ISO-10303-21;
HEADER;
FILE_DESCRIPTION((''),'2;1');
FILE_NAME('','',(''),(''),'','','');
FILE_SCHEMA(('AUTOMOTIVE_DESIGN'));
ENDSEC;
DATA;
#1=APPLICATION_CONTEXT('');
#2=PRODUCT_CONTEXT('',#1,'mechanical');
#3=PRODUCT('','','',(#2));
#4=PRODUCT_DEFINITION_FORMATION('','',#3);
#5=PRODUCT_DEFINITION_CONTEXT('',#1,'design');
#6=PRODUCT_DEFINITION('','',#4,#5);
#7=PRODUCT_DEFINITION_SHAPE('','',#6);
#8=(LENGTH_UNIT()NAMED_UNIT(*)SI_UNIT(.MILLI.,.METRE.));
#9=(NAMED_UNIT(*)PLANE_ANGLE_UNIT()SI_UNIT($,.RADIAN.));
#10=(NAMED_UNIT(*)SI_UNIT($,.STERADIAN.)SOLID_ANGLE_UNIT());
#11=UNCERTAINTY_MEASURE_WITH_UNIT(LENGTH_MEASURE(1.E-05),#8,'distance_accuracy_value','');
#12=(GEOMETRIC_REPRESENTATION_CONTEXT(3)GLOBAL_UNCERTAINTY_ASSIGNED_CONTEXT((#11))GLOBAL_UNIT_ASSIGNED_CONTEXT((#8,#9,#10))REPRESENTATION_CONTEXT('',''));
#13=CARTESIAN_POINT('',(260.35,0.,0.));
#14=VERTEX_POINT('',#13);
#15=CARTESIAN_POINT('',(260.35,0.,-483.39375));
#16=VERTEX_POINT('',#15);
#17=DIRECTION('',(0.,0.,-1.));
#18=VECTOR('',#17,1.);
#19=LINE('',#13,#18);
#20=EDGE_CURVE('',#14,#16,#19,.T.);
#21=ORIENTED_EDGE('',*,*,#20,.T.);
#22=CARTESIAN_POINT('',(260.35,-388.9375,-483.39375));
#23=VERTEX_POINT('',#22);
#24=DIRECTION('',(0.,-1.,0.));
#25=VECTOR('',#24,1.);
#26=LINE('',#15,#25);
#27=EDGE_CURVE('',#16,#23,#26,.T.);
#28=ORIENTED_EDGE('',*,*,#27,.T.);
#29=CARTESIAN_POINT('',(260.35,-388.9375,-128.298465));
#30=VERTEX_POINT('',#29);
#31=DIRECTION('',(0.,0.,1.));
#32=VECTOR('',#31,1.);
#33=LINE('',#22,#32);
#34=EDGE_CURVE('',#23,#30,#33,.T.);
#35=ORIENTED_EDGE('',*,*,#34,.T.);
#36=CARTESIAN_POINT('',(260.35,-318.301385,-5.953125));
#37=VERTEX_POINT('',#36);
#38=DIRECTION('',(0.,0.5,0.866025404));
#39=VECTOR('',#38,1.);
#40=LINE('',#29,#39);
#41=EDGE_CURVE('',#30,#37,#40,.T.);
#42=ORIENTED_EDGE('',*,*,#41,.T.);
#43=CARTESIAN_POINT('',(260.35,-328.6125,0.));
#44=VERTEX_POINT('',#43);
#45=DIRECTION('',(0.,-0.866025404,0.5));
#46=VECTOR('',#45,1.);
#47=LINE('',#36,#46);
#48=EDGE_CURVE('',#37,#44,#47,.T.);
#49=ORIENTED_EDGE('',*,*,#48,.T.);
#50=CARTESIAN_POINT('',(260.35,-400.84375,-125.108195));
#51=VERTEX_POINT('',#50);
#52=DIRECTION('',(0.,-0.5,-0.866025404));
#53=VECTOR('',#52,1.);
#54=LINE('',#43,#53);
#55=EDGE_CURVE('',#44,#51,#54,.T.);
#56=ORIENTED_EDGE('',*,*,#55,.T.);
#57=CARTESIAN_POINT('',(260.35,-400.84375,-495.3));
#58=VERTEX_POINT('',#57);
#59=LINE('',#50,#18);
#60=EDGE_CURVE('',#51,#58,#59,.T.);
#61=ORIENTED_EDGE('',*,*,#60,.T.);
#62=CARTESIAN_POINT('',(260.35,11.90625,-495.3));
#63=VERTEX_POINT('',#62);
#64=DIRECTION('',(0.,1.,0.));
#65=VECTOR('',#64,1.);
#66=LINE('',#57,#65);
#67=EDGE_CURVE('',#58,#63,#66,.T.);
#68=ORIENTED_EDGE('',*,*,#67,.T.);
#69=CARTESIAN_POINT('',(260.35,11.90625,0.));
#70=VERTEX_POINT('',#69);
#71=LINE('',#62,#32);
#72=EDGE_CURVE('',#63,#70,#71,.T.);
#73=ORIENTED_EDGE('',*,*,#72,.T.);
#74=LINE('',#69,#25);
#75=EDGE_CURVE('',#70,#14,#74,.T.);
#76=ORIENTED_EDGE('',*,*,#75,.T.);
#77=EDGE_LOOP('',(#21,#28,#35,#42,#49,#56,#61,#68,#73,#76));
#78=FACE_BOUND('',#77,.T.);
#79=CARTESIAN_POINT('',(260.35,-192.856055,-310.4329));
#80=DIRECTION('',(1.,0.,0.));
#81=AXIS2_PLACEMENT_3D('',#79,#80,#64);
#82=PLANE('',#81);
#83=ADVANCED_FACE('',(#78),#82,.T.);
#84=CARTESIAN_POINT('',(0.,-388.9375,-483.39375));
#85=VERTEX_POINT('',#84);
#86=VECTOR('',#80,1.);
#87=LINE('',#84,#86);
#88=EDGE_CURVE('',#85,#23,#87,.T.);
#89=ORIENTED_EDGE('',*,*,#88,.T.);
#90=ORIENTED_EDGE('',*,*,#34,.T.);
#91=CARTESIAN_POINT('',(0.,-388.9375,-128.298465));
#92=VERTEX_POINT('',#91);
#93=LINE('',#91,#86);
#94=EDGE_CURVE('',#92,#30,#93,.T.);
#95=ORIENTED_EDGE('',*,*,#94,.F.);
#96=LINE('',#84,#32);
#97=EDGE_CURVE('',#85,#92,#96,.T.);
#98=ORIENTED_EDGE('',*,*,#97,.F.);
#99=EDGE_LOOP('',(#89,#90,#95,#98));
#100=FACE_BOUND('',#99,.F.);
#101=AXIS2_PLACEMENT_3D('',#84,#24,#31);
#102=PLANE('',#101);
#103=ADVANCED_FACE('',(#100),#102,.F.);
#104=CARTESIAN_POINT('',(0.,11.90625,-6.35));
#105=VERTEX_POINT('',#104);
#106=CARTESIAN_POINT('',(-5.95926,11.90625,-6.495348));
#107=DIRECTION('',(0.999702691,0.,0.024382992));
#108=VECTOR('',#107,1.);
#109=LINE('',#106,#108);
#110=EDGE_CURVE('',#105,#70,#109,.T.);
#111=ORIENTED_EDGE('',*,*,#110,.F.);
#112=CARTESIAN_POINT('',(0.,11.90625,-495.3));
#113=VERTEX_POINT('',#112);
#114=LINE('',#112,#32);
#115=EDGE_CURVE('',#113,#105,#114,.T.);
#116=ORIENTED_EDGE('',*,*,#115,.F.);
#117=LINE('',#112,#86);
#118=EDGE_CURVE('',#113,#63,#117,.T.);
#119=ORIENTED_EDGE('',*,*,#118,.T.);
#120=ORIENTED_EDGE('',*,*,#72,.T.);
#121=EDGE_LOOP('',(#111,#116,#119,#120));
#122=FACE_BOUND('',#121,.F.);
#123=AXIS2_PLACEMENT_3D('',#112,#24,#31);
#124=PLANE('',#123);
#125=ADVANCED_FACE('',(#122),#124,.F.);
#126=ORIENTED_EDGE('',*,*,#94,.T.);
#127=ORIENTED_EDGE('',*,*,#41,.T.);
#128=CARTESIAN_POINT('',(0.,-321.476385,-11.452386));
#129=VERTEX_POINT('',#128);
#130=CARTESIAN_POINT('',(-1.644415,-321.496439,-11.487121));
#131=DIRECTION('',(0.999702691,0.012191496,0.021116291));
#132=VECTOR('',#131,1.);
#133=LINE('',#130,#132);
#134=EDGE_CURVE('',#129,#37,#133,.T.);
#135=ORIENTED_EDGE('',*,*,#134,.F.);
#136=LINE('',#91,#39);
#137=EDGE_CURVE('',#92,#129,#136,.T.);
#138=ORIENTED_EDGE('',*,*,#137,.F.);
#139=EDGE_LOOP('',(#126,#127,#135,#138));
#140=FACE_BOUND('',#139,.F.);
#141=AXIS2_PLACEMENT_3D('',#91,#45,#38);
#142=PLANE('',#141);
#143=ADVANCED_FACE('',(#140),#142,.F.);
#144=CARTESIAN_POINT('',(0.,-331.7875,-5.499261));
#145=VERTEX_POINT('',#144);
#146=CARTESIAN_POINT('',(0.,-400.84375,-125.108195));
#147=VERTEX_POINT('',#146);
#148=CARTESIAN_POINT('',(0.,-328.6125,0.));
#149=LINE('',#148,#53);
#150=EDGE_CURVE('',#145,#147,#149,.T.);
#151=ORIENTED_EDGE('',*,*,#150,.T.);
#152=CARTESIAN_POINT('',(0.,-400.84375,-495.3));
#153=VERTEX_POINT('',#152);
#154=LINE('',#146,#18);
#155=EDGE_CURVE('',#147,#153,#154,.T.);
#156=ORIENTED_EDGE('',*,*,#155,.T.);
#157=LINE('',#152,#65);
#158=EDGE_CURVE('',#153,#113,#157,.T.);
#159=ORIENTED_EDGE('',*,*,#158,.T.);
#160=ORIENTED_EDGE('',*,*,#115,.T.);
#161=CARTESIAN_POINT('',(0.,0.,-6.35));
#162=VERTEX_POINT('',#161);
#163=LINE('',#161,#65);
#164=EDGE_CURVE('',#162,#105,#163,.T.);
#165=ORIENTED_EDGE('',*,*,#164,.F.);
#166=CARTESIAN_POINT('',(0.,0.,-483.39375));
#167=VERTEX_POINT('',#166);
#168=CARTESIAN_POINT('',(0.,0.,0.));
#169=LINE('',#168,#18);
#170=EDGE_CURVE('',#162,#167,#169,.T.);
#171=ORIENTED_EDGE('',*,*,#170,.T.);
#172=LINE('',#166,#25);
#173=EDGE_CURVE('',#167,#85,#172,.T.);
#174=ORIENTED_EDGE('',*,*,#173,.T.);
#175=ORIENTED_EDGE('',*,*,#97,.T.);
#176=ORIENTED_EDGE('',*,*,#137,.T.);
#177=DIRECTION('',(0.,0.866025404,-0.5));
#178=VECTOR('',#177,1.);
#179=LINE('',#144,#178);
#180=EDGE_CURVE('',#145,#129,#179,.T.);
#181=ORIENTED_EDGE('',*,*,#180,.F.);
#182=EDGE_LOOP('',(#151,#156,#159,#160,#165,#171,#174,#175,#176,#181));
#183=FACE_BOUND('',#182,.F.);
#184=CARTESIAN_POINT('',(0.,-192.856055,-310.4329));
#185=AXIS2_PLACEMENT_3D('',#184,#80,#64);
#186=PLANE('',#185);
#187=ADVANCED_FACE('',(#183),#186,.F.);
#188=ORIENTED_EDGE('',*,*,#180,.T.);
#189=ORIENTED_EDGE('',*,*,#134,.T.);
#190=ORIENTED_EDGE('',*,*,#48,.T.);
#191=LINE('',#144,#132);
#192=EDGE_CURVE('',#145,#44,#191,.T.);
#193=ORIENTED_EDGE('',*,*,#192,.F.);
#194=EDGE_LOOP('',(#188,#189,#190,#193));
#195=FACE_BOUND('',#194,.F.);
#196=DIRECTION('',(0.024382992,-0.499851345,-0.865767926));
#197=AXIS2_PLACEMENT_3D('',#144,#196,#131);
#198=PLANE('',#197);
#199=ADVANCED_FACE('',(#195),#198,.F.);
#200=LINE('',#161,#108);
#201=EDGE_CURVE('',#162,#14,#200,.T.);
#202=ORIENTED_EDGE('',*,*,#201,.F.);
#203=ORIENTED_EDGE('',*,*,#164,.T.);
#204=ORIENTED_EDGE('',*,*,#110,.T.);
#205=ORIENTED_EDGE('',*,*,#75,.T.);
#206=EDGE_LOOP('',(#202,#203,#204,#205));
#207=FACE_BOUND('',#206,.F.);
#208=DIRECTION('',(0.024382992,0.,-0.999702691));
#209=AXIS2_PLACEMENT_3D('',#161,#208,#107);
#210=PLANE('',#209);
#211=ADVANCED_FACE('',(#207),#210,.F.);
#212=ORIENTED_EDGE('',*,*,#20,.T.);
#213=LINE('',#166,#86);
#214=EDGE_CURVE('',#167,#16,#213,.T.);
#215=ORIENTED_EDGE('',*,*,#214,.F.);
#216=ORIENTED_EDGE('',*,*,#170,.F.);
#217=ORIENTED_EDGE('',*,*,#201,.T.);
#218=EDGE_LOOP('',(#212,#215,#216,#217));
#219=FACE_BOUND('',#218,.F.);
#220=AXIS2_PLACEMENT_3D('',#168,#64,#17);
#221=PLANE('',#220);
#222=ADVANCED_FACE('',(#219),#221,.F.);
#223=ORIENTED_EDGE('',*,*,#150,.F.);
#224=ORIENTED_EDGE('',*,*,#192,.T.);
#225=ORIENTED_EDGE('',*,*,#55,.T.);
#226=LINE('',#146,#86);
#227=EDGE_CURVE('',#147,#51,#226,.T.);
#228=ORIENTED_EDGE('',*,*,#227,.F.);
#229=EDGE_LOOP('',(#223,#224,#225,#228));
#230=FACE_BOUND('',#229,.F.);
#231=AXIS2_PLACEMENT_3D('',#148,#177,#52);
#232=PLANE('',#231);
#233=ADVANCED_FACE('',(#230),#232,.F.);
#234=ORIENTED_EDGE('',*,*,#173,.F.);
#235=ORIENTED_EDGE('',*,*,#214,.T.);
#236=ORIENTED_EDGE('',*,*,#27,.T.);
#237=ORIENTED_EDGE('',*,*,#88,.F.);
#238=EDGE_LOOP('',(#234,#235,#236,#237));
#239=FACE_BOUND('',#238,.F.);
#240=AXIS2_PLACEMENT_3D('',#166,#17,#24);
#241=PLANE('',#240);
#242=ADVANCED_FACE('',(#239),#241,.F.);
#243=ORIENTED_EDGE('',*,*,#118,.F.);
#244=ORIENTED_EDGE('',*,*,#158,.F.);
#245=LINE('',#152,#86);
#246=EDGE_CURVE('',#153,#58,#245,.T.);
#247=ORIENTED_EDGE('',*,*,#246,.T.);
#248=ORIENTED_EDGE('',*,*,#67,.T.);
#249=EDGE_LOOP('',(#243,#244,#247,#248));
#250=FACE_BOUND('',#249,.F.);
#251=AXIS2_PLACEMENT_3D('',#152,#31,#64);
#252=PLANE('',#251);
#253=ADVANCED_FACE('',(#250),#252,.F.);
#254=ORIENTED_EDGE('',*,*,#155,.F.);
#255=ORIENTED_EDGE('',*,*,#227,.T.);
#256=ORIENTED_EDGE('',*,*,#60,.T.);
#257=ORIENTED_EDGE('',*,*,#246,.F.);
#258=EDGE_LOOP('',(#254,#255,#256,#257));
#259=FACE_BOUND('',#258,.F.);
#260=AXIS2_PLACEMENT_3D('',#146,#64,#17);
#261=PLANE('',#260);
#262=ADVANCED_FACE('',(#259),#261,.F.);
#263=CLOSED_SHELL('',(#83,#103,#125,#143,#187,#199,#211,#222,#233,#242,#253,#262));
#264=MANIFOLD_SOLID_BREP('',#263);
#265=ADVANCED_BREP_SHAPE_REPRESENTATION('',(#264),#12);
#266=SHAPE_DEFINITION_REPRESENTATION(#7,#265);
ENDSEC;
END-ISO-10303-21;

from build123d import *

# Parameters (mm, degrees)
F1_DEPTH = 260.35
F3_DEPTH = 11.90725
F5_DEPTH = 25.4


with BuildPart() as f1:
    # F0 (on Right) → F1 (new body)
    with BuildSketch(Plane.YZ):
        Polygon((11.90625, 0), (0, 0), (0, -483.39375), (-388.9375, -483.39375), (-388.9375, -128.2984649666), (-318.3013850362, -5.953125), (-328.6125, 0), (-400.84375, -125.1081948942), (-400.84375, -495.3), (11.90625, -495.3), align=None)
    extrude(amount=F1_DEPTH)

    # F2 (on Front) → F3 (cut, through all)
    with BuildSketch(Plane.XZ):
        Polygon((260.35, 0), (0, 0), (0, -6.35), align=None)
    extrude(amount=-F3_DEPTH, mode=Mode.SUBTRACT)

    # F4 (on face) → F5 (cut)
    with BuildSketch(Plane(origin=(0, -246.459375, 142.2933865006), x_dir=(1, 0, 0), z_dir=(0, -0.8660254038, 0.5))):
        Polygon((260.35, -164.30625), (0, -164.30625), (0, -170.65625), align=None)
    extrude(amount=-F5_DEPTH, mode=Mode.SUBTRACT)


solid = f1.part
